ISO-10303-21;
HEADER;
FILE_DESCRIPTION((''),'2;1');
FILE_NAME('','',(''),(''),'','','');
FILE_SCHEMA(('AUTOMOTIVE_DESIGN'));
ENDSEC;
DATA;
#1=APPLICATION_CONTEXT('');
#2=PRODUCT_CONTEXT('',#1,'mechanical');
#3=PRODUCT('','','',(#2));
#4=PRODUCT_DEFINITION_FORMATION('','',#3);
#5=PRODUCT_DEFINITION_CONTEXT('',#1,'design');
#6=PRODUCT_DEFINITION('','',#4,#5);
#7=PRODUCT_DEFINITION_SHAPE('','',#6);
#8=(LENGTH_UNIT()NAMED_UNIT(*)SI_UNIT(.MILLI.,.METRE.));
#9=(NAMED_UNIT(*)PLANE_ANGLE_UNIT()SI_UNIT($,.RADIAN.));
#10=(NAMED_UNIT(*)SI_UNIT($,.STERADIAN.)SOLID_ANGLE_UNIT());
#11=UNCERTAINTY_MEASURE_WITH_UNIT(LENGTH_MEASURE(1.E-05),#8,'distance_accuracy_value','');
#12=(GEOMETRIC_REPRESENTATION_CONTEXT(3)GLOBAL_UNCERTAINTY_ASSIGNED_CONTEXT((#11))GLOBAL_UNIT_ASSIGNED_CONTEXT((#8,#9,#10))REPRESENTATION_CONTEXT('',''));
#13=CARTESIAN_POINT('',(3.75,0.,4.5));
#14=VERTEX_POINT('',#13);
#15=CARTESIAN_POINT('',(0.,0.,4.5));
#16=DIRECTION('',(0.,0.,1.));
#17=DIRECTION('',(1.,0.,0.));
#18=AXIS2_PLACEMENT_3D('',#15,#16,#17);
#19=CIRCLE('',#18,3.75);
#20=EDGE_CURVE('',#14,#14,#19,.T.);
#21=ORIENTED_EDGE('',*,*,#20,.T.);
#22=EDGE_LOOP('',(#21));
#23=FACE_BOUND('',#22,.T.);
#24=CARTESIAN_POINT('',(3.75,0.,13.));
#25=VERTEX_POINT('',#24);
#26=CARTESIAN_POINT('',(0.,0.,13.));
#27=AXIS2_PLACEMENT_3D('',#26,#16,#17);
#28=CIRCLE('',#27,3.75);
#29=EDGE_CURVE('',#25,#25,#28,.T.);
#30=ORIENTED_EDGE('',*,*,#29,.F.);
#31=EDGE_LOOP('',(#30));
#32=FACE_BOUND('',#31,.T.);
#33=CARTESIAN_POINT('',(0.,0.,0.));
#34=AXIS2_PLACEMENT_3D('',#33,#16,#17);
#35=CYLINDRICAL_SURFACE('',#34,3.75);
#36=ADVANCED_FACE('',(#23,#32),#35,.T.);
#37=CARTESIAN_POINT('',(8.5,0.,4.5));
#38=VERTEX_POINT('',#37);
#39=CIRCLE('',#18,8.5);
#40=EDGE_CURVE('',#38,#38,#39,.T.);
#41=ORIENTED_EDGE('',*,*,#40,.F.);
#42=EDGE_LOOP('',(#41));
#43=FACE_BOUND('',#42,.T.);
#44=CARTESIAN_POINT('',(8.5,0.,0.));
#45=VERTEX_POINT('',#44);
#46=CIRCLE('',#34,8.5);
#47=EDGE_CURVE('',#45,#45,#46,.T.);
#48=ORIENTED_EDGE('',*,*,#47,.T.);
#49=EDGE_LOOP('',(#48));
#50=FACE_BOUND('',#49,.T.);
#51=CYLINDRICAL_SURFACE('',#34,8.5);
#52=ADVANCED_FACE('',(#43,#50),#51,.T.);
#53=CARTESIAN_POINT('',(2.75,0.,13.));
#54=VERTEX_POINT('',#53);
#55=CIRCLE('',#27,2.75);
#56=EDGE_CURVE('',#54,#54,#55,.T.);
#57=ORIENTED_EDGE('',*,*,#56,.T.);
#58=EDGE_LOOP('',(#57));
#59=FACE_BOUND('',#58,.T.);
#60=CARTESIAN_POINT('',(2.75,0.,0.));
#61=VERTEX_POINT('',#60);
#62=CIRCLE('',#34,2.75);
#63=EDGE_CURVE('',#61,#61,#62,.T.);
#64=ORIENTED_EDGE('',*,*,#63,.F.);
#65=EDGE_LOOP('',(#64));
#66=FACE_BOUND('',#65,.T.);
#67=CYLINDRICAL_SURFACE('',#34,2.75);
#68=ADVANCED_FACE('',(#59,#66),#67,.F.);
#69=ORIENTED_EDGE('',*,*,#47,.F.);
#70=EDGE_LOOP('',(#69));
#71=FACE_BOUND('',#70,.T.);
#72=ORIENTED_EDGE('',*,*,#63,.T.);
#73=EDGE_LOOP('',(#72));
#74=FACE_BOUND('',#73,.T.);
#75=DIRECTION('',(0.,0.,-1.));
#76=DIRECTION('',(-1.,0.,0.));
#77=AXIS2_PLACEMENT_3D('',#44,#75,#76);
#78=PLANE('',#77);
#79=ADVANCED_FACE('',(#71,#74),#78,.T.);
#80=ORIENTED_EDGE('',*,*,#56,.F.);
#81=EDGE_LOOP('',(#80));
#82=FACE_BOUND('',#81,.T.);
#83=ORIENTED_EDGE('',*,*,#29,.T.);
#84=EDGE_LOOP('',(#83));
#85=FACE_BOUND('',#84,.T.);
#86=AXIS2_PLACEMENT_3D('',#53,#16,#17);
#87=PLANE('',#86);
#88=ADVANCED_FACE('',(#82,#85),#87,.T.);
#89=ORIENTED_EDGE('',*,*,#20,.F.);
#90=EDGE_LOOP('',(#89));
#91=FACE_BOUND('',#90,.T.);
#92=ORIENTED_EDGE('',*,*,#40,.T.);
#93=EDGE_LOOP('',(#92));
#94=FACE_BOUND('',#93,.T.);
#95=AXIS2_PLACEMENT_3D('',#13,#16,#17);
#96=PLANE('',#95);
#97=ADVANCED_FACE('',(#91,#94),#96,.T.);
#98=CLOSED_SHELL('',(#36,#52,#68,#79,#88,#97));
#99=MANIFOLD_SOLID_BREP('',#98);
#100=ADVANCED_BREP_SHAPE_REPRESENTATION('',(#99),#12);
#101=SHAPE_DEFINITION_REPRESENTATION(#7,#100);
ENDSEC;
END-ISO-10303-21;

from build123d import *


with BuildPart() as part:
    # Эскиз1 → Повернуть1 (revolve)
    with BuildSketch(Plane(origin=(0, 0, 0), x_dir=(1, 0, 0), z_dir=(0, 1, 0))):
        Polygon((2.75, -13), (3.75, -13), (3.75, -4.5), (8.5, -4.5), (8.5, 0), (2.75, 0), align=None)
    revolve(axis=Axis((0, 0, 0), (0, 0, 1)))


solid = part.part
